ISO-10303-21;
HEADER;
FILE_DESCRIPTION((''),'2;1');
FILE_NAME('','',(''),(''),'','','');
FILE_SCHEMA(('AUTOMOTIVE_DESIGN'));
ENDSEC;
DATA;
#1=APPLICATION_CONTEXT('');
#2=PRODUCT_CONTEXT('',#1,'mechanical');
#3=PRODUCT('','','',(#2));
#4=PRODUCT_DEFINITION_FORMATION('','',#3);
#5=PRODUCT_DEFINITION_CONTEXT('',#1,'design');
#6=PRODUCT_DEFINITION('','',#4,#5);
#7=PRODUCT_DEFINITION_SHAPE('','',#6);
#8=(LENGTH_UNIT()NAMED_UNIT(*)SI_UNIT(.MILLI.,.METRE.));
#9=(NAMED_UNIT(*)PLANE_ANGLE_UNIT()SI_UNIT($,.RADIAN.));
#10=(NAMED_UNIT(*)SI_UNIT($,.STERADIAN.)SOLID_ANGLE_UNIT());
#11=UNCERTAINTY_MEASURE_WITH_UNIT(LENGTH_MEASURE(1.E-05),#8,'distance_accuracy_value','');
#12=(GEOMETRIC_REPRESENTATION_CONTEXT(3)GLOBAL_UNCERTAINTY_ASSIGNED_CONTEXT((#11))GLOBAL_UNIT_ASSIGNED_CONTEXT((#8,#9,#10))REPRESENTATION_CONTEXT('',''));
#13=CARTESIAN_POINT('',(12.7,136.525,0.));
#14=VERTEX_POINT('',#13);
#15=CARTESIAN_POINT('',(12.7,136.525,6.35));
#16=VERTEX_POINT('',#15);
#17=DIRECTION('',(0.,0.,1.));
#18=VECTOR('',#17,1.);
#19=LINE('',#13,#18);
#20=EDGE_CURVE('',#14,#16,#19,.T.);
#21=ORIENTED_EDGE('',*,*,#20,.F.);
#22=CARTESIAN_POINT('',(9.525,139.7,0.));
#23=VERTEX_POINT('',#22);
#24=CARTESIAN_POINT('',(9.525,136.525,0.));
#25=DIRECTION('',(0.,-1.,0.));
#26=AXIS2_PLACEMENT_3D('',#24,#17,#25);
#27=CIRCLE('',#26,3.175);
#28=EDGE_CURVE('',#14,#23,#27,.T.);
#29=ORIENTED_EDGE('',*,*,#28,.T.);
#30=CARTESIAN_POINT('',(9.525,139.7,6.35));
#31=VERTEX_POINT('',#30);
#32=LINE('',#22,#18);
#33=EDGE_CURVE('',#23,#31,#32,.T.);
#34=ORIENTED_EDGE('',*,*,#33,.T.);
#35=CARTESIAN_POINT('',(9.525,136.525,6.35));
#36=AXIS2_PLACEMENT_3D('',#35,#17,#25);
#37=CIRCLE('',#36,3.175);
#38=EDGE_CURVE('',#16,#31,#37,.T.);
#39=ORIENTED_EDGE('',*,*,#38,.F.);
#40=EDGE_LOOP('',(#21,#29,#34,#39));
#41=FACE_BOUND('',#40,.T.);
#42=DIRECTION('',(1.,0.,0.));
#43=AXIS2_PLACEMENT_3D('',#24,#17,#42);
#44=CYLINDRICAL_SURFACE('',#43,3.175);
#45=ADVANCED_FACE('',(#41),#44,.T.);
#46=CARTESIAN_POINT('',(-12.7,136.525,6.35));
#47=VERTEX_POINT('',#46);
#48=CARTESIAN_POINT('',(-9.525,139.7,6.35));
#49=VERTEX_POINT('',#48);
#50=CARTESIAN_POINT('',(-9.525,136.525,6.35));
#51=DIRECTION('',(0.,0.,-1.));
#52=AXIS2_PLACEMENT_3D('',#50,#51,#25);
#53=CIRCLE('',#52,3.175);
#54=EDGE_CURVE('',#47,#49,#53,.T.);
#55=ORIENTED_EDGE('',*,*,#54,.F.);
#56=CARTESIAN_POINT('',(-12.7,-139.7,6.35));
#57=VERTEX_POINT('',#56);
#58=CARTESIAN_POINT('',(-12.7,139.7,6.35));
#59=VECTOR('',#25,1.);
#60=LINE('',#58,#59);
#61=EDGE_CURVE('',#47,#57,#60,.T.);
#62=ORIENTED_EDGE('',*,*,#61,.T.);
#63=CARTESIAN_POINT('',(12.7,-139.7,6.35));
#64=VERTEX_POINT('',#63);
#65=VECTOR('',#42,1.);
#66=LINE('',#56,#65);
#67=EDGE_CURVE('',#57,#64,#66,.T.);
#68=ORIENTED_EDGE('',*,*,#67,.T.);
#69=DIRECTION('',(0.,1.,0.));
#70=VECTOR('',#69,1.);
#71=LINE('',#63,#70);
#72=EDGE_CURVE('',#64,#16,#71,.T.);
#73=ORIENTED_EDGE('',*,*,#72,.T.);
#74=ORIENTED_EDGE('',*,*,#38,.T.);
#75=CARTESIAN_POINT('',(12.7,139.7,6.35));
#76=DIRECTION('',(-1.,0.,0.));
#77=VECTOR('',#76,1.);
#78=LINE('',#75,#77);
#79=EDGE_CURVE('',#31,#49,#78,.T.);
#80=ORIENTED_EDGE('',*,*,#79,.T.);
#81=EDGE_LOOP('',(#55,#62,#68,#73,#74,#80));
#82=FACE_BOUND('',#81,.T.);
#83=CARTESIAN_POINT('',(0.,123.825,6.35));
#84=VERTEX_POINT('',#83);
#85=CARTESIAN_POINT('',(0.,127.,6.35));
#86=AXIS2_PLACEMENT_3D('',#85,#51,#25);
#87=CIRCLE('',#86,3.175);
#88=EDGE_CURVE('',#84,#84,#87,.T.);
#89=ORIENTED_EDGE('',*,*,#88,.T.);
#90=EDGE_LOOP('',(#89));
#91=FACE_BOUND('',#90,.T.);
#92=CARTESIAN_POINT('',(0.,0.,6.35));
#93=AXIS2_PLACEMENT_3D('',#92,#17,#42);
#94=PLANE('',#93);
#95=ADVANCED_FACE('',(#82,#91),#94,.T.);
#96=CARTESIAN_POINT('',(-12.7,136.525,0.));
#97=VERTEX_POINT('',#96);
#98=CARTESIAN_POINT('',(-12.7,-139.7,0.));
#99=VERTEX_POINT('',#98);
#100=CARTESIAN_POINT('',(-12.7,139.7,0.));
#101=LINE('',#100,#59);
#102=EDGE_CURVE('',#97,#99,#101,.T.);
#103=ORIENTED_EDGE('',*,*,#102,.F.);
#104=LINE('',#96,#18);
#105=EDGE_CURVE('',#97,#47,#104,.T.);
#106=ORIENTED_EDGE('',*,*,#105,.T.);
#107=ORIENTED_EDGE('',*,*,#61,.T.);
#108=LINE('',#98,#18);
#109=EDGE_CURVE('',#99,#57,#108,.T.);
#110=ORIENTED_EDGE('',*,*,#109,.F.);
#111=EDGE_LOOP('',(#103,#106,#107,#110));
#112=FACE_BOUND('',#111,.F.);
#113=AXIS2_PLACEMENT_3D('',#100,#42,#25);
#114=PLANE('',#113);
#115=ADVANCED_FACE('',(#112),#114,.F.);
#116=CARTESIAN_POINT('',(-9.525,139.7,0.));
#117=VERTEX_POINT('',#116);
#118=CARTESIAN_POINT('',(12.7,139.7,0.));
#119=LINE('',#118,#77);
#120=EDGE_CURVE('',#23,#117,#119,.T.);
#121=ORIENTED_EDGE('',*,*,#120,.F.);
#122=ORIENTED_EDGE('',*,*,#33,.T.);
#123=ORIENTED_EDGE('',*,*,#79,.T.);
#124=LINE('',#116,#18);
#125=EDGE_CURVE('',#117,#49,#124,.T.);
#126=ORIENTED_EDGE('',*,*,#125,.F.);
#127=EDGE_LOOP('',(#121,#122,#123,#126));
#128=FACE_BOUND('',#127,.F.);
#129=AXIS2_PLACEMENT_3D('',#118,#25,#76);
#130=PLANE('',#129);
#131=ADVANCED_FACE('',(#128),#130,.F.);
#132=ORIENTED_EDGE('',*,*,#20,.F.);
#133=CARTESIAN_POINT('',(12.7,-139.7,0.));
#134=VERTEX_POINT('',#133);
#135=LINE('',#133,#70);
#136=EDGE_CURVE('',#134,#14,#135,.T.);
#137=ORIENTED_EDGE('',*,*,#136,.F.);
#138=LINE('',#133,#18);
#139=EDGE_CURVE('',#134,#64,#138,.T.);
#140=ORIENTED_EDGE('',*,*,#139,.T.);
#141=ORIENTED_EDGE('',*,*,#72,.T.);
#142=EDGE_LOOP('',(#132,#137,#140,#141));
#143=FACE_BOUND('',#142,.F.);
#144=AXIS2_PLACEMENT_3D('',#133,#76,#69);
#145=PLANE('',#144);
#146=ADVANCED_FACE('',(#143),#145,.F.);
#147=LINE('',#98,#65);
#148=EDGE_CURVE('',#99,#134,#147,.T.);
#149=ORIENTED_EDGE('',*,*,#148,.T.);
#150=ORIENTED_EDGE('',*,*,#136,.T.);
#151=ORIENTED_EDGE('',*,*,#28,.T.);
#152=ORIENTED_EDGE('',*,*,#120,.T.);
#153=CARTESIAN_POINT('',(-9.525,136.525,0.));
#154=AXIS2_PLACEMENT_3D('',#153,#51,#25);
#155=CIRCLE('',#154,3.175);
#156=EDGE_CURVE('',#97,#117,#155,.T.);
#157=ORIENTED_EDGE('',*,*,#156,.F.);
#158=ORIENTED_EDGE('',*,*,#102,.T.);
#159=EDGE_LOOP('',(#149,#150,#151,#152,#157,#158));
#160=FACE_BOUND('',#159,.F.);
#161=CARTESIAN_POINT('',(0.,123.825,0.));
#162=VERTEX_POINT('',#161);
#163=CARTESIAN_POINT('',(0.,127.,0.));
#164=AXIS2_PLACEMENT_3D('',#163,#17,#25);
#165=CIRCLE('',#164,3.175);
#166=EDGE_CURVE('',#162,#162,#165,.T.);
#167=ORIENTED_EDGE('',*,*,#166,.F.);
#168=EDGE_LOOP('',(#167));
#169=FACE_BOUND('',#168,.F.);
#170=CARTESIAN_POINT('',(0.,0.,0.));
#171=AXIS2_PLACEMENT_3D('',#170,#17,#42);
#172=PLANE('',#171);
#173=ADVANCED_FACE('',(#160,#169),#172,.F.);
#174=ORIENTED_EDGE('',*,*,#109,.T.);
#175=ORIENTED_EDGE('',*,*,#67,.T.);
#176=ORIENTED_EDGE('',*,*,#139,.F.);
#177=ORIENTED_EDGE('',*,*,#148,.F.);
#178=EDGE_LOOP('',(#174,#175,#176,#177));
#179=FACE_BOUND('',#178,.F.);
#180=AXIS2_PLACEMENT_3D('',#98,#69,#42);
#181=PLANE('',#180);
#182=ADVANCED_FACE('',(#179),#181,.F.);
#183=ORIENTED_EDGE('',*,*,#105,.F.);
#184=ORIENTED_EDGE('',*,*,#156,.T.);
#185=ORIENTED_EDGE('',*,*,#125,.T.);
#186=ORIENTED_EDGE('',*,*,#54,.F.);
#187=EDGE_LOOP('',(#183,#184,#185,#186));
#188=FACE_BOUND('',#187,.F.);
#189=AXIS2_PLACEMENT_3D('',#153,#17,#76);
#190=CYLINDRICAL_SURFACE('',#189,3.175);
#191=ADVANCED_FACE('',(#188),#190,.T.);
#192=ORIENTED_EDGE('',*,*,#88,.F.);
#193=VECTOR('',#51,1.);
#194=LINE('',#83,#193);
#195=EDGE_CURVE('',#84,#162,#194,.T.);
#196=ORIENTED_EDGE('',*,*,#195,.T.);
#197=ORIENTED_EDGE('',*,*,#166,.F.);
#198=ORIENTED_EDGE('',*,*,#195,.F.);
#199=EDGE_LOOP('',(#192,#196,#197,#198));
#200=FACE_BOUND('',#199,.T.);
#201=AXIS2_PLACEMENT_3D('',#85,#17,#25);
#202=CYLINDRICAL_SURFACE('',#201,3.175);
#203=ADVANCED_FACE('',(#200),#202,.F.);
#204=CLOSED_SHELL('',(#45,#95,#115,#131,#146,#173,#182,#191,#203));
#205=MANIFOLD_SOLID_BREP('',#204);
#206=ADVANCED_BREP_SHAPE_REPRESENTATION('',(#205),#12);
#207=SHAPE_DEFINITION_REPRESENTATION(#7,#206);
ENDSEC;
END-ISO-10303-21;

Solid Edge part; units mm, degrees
sketch "Sketch1" plane through (0, 0, 0) normal (0, 0, 1) x (1, 0, 0)
  line L0 (-12.7, -139.7) -> (12.7, -139.7)
  line L1 (12.7, -139.7) -> (12.7, 139.7)
  line L2 (12.7, 139.7) -> (-12.7, 139.7)
  line L3 (-12.7, 139.7) -> (-12.7, -139.7)
  dimension "D1" = 25.4
  dimension "D2" = 279.4
extrude "Protrusion1" add sketch "Sketch1" along normal blind 6.35
hole "Hole_1" at (0, 127, 6.35) direction (0, 0, -1) diameter 6.35 end up to next
fillet "Round_1" radius 3.175 2 edges at (12.7, 139.7, 3.175) (-12.7, 139.7, 3.175)
properties part number "SPaRC - 02 - 002"
